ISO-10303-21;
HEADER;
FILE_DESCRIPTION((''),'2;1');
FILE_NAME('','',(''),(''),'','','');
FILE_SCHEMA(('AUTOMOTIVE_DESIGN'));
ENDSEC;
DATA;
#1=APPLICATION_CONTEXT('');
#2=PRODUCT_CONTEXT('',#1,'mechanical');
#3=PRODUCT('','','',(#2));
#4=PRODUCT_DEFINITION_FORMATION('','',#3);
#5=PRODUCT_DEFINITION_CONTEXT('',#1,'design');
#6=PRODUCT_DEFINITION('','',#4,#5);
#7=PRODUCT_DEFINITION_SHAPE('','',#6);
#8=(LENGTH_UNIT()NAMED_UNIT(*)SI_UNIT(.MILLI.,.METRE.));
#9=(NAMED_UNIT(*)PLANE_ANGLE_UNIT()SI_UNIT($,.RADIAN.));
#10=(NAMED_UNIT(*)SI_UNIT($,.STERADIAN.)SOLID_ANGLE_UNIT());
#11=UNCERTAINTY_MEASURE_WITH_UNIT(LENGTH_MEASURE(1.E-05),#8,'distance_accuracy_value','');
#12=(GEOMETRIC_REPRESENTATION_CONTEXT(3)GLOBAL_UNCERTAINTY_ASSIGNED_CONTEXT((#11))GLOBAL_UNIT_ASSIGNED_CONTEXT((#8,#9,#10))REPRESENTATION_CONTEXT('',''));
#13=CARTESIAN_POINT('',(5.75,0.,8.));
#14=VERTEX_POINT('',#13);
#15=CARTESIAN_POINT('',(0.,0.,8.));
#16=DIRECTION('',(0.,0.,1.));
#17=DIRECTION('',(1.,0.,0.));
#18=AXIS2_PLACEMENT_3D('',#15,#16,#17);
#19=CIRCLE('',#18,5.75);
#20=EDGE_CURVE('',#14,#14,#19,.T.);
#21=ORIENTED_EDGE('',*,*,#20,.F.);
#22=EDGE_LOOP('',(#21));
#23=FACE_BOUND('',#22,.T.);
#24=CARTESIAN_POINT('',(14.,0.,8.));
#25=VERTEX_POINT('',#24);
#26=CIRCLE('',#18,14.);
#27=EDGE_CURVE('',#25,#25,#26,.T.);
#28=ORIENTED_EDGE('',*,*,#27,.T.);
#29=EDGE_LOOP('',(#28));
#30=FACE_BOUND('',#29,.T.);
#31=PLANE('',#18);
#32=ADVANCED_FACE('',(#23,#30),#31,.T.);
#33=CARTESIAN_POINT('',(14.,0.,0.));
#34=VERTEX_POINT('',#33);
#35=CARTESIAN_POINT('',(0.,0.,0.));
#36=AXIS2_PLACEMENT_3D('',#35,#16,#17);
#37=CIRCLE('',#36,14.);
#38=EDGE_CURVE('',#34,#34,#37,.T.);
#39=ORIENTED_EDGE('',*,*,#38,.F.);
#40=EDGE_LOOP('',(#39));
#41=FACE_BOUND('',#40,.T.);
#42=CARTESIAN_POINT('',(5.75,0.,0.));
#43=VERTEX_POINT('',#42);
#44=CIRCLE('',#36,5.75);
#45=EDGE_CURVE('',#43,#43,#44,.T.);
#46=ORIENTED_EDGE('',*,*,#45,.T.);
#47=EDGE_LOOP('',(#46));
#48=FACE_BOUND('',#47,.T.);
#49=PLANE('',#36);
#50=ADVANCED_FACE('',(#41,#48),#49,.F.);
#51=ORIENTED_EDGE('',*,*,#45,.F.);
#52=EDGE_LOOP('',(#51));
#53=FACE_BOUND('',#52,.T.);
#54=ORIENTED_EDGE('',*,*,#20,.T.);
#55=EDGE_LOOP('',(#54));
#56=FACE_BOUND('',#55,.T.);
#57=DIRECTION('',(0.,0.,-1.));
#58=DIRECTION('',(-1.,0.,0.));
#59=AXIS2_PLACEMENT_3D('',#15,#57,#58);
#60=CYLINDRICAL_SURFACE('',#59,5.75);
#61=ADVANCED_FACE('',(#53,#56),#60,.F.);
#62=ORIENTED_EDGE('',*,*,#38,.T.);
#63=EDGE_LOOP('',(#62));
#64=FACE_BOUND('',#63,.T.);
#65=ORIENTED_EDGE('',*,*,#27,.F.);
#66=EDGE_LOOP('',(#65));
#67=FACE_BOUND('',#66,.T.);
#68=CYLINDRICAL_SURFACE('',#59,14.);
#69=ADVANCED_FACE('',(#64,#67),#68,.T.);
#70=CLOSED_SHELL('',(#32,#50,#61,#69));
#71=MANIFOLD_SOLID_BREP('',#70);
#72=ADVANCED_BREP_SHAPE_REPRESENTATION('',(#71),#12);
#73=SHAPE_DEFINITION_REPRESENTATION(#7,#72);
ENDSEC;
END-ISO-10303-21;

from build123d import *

# Parameters (mm, degrees)
CROQUIS1_R              = 14
CROQUIS1_R_2            = 5.75
SALIENTE_EXTRUIR1_DEPTH = 8


with BuildPart() as part:
    # Croquis1 → Saliente-Extruir1 (new body)
    with BuildSketch(Plane.XY):
        Circle(CROQUIS1_R)
        Circle(CROQUIS1_R_2, mode=Mode.SUBTRACT)
    extrude(amount=SALIENTE_EXTRUIR1_DEPTH)


solid = part.part
